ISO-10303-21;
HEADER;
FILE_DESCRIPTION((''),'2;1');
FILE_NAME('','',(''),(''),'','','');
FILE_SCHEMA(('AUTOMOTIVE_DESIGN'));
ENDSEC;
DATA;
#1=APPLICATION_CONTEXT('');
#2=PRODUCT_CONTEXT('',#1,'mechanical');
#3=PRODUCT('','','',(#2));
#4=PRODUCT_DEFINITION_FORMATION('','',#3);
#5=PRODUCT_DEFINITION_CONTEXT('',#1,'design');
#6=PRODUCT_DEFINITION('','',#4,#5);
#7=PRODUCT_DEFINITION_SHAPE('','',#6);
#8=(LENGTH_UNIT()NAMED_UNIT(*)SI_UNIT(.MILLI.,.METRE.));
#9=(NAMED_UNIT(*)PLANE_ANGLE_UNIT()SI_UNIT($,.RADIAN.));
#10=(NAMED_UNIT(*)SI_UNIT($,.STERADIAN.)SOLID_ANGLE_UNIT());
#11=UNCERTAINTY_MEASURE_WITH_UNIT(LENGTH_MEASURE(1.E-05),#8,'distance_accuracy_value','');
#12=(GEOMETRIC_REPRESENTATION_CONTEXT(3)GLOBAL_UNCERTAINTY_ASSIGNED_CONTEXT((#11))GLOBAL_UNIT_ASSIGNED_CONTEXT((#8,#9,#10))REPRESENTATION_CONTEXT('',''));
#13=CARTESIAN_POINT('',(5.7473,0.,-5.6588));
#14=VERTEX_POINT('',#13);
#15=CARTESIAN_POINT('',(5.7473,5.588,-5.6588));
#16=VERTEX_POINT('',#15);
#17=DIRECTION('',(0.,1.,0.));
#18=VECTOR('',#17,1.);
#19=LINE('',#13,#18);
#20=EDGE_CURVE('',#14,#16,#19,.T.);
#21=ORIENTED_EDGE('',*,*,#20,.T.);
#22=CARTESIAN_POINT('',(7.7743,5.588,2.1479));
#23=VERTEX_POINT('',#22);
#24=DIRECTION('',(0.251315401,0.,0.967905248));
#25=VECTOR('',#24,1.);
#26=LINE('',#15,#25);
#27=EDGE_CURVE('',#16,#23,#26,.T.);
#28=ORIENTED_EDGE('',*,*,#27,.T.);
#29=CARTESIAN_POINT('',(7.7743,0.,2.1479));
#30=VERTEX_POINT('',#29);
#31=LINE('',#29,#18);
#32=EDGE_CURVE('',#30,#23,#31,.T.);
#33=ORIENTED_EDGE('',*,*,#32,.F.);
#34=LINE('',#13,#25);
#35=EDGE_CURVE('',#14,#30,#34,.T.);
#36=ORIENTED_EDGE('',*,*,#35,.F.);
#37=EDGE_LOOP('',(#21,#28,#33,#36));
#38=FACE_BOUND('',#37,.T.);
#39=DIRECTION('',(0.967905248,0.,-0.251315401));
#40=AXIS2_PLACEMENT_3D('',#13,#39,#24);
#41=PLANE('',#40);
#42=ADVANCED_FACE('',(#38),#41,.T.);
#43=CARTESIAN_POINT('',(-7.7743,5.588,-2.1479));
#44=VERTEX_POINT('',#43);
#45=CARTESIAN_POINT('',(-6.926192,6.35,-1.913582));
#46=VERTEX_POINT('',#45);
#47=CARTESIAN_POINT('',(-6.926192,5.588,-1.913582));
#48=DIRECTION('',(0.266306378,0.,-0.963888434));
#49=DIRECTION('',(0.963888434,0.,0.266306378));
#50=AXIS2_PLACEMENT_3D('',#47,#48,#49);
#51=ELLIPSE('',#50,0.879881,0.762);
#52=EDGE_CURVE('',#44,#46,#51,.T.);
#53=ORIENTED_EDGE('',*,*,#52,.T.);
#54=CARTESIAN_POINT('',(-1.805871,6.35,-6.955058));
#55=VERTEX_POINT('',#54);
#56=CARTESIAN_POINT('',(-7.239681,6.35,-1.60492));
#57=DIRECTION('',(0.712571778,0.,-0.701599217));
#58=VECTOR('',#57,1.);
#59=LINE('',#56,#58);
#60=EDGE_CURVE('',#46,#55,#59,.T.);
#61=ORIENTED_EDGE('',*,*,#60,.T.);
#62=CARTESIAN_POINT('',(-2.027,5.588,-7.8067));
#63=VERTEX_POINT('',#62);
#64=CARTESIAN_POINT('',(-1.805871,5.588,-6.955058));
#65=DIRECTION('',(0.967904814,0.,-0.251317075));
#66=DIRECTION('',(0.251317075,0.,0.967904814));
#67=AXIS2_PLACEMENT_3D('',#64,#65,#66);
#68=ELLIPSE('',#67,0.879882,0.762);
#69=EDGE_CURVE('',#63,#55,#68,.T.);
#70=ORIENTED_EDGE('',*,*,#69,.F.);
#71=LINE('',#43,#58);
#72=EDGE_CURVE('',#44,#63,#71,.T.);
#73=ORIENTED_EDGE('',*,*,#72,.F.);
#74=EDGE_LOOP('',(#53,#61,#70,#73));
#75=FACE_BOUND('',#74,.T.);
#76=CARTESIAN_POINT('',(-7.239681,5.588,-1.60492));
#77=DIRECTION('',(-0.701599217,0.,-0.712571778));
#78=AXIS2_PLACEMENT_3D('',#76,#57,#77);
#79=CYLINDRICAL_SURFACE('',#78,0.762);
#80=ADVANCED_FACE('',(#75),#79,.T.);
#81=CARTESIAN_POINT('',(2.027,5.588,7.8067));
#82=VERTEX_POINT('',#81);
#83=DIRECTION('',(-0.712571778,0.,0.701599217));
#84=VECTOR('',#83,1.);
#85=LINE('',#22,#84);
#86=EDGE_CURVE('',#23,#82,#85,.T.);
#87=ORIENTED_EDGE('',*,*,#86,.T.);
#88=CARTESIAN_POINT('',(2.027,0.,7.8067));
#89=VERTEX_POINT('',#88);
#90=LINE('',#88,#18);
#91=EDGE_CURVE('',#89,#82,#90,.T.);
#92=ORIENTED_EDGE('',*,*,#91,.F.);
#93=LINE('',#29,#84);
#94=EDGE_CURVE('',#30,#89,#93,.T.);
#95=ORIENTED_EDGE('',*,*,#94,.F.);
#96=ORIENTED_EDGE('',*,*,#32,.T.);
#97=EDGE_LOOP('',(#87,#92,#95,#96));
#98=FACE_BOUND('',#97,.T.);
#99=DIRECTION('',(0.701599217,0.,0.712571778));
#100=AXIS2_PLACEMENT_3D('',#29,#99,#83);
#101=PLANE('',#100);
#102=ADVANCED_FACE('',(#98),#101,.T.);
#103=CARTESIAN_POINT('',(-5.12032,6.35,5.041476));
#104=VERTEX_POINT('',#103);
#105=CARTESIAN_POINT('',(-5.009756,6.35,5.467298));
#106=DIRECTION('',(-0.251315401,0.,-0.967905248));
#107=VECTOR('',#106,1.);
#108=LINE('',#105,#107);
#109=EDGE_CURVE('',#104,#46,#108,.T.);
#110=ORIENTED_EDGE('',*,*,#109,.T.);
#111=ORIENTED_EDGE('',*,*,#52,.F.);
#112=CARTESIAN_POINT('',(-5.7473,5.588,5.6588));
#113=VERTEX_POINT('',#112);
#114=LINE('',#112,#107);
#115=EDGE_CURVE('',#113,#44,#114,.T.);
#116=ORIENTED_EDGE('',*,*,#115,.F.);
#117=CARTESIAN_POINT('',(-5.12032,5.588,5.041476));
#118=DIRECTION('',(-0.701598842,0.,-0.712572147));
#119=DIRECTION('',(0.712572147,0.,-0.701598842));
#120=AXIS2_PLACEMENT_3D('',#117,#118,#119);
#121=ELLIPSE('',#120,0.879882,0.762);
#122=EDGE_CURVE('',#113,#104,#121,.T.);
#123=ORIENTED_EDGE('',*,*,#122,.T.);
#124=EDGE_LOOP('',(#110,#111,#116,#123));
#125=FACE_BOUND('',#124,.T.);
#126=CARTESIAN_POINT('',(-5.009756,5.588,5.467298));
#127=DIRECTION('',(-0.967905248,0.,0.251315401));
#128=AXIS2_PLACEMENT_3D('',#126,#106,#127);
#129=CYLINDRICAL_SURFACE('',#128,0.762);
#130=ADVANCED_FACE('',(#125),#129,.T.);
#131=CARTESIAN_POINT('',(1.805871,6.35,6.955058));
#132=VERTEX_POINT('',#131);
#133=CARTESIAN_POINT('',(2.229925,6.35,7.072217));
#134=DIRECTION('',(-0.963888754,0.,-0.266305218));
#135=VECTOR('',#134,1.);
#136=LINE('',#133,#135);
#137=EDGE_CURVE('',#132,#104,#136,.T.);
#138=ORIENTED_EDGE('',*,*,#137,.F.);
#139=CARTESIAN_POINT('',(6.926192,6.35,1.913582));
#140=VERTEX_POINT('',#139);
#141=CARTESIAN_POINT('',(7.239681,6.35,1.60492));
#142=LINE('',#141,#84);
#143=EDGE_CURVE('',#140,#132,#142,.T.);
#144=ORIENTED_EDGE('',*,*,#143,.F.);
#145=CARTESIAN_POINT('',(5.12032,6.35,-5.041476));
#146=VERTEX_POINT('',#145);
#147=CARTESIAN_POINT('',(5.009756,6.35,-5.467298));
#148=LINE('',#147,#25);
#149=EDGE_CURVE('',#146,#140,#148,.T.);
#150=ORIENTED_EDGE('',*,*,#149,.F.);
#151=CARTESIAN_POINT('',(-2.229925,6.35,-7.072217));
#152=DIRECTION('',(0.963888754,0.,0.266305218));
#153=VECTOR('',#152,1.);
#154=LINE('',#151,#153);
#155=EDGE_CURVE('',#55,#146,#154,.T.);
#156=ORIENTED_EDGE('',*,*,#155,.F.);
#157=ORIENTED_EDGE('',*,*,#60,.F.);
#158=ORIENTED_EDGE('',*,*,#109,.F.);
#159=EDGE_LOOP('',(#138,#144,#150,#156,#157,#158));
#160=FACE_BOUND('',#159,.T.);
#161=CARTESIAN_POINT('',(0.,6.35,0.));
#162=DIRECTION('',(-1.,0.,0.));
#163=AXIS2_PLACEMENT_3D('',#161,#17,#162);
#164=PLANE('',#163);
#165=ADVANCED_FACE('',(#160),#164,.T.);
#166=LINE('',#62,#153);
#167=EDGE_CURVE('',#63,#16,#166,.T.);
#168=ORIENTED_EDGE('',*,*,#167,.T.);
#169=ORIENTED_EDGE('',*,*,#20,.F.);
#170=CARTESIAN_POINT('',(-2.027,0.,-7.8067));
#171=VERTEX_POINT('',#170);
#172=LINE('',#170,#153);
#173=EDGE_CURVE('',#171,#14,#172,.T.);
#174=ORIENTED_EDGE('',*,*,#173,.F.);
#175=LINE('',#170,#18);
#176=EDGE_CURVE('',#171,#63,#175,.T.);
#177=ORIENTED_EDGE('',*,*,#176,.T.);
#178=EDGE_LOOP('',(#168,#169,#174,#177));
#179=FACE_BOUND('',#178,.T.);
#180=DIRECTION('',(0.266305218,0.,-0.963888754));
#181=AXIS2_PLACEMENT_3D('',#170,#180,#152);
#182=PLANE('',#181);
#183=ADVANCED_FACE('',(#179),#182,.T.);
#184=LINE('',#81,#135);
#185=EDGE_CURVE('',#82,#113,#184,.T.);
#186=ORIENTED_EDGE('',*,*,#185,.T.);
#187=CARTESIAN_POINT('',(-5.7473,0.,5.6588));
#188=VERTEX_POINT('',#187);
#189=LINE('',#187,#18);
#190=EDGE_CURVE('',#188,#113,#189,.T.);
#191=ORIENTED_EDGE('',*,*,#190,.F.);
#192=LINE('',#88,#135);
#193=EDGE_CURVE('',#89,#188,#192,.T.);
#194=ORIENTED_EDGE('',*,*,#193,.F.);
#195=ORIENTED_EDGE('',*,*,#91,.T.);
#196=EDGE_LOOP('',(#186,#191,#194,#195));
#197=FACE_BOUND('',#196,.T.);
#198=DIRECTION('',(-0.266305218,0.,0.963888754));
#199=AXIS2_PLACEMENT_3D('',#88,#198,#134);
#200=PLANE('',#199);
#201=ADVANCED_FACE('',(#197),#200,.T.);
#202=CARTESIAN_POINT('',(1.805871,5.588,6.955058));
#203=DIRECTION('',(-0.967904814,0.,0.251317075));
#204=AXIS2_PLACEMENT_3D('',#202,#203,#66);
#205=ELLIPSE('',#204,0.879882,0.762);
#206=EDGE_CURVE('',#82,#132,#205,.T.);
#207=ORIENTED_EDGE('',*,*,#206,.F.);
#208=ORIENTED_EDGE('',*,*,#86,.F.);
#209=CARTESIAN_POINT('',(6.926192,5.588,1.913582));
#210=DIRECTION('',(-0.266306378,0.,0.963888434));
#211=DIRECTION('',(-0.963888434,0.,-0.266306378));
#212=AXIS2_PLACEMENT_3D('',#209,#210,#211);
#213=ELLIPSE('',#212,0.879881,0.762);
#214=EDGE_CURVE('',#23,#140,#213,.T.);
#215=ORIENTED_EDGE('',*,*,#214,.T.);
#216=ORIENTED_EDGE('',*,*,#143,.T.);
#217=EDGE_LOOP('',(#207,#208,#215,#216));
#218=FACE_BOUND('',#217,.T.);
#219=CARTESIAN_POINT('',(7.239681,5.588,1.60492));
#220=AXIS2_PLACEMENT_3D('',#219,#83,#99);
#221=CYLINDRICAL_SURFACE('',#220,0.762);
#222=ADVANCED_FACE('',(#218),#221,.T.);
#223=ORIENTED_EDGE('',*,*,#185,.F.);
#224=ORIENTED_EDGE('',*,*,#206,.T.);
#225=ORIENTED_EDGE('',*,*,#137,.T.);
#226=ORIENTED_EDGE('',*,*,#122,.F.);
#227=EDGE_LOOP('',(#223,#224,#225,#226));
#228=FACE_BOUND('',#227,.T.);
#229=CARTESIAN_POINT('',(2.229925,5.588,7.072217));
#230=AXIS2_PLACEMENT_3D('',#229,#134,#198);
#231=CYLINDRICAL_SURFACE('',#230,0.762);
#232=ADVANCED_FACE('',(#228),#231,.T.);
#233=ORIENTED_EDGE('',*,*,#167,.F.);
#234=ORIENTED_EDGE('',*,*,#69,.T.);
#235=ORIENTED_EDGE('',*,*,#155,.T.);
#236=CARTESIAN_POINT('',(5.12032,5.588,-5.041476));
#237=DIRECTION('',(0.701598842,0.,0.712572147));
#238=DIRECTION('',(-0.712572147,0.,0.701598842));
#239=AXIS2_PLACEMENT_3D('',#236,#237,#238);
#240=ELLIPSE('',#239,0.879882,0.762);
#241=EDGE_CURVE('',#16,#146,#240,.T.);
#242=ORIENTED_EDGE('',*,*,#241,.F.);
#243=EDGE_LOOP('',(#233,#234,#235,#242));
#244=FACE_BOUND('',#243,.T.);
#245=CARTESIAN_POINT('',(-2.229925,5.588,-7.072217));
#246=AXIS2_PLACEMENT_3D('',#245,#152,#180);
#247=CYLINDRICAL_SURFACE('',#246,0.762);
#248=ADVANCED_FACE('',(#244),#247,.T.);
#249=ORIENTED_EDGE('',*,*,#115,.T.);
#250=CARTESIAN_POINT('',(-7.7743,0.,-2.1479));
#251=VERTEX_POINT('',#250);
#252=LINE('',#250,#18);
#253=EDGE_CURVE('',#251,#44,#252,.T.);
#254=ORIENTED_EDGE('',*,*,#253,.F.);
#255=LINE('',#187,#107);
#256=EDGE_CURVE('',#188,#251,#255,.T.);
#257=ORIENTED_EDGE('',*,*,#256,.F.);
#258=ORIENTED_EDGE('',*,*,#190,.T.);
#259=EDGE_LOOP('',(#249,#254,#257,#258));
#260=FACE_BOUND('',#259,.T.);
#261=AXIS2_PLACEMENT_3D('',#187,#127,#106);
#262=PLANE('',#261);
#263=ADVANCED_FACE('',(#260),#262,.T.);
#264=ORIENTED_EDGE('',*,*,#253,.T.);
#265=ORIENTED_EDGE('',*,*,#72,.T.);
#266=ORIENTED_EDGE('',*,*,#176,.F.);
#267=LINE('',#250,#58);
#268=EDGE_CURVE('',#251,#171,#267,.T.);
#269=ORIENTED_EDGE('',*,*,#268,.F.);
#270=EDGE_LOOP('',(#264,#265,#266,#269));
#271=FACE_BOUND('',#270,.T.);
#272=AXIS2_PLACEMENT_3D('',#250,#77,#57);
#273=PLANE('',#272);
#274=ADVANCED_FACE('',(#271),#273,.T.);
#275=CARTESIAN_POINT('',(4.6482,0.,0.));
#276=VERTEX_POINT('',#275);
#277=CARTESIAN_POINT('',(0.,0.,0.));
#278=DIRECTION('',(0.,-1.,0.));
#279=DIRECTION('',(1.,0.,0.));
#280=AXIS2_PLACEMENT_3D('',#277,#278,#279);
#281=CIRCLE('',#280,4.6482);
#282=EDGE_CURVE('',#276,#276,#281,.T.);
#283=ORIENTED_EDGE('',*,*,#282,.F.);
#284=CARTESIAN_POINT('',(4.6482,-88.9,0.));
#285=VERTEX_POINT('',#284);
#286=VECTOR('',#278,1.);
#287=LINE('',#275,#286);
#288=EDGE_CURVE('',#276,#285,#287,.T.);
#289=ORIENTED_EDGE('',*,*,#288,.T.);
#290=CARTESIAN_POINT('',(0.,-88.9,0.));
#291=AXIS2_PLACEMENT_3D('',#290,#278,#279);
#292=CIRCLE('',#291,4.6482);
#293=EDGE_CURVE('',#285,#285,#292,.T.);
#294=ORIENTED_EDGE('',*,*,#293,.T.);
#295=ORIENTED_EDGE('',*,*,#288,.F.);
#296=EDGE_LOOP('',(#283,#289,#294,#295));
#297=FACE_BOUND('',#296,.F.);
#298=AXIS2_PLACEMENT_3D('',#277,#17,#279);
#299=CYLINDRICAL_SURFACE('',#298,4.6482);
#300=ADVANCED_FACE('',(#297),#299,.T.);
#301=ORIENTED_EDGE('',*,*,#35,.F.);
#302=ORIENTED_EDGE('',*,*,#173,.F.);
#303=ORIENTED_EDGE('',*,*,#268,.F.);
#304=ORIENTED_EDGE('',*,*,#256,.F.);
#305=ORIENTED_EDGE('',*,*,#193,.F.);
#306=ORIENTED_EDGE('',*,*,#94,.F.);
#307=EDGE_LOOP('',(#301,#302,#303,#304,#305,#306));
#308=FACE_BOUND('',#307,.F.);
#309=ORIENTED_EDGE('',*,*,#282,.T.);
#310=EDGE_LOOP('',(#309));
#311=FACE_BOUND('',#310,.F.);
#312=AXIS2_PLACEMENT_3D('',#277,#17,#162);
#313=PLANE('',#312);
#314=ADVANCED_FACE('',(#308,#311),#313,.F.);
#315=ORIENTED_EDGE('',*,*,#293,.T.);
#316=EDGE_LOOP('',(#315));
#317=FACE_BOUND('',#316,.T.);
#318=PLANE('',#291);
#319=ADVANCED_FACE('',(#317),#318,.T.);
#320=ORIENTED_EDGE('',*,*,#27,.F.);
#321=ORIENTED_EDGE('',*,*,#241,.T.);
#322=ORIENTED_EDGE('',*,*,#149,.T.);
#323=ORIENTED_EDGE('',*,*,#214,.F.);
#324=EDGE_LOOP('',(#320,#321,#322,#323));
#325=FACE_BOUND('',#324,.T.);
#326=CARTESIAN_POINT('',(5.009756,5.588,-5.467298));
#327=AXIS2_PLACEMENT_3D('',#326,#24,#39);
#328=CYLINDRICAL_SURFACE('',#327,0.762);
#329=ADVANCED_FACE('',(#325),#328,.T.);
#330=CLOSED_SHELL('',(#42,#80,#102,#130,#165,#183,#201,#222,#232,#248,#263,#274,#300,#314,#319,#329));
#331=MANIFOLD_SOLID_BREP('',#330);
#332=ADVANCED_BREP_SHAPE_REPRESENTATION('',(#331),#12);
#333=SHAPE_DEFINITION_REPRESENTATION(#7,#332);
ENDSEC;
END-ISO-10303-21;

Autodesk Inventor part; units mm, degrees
ref_plane "YZ Plane" through (0, 0, 0) normal (1, 0, 0) x (0, 1, 0)
ref_plane "XZ Plane" through (0, 0, 0) normal (0, 1, 0) x (-1, 0, 0)
ref_plane "XY Plane" through (0, 0, 0) normal (0, 0, 1) x (1, 0, 0)
sketch "Sketch1" plane through (0, 0, 0) normal (0, 1, 0) x (-1, 0, 0)
  line L0 (-2.027, 7.8067) -> (5.7473, 5.6588)
  line L1 (5.7473, 5.6588) -> (7.7743, -2.1479)
  line L2 (7.7743, -2.1479) -> (2.027, -7.8067)
  line L3 (2.027, -7.8067) -> (-5.7473, -5.6588)
  line L4 (-5.7473, -5.6588) -> (-7.7743, 2.1479)
  line L5 (-7.7743, 2.1479) -> (-2.027, 7.8067)
  point P0 (0, 0)
  point P1 (0, 0)
  dimension "d8" = 13.97
extrude "Extrusion1" add sketch "Sketch1" along normal blind 6.35
fillet "Fillet1" radius 0.762 6 edges at (4.9007, 6.35, 4.9773) (6.7608, 6.35, -1.7554) (1.8602, 6.35, -6.7328) (-4.9007, 6.35, -4.9773) (-6.7608, 6.35, 1.7554) (-1.8602, 6.35, 6.7328)
sketch "Sketch2" plane through (0, 0, 0) normal (0, -1, 0) x (1, 0, 0)
  circle A0 centre (0, 0) radius 4.6482
  dimension "d3" = 9.2964
extrude "Extrusion2" add sketch "Sketch2" along normal blind 88.9
thread "Thread1" size "3/8-16 UNC" class "2A" standard "ANSI Unified Screw Threads" full length
properties part number "lagBolt_38" material "Steel, Galvanized"
